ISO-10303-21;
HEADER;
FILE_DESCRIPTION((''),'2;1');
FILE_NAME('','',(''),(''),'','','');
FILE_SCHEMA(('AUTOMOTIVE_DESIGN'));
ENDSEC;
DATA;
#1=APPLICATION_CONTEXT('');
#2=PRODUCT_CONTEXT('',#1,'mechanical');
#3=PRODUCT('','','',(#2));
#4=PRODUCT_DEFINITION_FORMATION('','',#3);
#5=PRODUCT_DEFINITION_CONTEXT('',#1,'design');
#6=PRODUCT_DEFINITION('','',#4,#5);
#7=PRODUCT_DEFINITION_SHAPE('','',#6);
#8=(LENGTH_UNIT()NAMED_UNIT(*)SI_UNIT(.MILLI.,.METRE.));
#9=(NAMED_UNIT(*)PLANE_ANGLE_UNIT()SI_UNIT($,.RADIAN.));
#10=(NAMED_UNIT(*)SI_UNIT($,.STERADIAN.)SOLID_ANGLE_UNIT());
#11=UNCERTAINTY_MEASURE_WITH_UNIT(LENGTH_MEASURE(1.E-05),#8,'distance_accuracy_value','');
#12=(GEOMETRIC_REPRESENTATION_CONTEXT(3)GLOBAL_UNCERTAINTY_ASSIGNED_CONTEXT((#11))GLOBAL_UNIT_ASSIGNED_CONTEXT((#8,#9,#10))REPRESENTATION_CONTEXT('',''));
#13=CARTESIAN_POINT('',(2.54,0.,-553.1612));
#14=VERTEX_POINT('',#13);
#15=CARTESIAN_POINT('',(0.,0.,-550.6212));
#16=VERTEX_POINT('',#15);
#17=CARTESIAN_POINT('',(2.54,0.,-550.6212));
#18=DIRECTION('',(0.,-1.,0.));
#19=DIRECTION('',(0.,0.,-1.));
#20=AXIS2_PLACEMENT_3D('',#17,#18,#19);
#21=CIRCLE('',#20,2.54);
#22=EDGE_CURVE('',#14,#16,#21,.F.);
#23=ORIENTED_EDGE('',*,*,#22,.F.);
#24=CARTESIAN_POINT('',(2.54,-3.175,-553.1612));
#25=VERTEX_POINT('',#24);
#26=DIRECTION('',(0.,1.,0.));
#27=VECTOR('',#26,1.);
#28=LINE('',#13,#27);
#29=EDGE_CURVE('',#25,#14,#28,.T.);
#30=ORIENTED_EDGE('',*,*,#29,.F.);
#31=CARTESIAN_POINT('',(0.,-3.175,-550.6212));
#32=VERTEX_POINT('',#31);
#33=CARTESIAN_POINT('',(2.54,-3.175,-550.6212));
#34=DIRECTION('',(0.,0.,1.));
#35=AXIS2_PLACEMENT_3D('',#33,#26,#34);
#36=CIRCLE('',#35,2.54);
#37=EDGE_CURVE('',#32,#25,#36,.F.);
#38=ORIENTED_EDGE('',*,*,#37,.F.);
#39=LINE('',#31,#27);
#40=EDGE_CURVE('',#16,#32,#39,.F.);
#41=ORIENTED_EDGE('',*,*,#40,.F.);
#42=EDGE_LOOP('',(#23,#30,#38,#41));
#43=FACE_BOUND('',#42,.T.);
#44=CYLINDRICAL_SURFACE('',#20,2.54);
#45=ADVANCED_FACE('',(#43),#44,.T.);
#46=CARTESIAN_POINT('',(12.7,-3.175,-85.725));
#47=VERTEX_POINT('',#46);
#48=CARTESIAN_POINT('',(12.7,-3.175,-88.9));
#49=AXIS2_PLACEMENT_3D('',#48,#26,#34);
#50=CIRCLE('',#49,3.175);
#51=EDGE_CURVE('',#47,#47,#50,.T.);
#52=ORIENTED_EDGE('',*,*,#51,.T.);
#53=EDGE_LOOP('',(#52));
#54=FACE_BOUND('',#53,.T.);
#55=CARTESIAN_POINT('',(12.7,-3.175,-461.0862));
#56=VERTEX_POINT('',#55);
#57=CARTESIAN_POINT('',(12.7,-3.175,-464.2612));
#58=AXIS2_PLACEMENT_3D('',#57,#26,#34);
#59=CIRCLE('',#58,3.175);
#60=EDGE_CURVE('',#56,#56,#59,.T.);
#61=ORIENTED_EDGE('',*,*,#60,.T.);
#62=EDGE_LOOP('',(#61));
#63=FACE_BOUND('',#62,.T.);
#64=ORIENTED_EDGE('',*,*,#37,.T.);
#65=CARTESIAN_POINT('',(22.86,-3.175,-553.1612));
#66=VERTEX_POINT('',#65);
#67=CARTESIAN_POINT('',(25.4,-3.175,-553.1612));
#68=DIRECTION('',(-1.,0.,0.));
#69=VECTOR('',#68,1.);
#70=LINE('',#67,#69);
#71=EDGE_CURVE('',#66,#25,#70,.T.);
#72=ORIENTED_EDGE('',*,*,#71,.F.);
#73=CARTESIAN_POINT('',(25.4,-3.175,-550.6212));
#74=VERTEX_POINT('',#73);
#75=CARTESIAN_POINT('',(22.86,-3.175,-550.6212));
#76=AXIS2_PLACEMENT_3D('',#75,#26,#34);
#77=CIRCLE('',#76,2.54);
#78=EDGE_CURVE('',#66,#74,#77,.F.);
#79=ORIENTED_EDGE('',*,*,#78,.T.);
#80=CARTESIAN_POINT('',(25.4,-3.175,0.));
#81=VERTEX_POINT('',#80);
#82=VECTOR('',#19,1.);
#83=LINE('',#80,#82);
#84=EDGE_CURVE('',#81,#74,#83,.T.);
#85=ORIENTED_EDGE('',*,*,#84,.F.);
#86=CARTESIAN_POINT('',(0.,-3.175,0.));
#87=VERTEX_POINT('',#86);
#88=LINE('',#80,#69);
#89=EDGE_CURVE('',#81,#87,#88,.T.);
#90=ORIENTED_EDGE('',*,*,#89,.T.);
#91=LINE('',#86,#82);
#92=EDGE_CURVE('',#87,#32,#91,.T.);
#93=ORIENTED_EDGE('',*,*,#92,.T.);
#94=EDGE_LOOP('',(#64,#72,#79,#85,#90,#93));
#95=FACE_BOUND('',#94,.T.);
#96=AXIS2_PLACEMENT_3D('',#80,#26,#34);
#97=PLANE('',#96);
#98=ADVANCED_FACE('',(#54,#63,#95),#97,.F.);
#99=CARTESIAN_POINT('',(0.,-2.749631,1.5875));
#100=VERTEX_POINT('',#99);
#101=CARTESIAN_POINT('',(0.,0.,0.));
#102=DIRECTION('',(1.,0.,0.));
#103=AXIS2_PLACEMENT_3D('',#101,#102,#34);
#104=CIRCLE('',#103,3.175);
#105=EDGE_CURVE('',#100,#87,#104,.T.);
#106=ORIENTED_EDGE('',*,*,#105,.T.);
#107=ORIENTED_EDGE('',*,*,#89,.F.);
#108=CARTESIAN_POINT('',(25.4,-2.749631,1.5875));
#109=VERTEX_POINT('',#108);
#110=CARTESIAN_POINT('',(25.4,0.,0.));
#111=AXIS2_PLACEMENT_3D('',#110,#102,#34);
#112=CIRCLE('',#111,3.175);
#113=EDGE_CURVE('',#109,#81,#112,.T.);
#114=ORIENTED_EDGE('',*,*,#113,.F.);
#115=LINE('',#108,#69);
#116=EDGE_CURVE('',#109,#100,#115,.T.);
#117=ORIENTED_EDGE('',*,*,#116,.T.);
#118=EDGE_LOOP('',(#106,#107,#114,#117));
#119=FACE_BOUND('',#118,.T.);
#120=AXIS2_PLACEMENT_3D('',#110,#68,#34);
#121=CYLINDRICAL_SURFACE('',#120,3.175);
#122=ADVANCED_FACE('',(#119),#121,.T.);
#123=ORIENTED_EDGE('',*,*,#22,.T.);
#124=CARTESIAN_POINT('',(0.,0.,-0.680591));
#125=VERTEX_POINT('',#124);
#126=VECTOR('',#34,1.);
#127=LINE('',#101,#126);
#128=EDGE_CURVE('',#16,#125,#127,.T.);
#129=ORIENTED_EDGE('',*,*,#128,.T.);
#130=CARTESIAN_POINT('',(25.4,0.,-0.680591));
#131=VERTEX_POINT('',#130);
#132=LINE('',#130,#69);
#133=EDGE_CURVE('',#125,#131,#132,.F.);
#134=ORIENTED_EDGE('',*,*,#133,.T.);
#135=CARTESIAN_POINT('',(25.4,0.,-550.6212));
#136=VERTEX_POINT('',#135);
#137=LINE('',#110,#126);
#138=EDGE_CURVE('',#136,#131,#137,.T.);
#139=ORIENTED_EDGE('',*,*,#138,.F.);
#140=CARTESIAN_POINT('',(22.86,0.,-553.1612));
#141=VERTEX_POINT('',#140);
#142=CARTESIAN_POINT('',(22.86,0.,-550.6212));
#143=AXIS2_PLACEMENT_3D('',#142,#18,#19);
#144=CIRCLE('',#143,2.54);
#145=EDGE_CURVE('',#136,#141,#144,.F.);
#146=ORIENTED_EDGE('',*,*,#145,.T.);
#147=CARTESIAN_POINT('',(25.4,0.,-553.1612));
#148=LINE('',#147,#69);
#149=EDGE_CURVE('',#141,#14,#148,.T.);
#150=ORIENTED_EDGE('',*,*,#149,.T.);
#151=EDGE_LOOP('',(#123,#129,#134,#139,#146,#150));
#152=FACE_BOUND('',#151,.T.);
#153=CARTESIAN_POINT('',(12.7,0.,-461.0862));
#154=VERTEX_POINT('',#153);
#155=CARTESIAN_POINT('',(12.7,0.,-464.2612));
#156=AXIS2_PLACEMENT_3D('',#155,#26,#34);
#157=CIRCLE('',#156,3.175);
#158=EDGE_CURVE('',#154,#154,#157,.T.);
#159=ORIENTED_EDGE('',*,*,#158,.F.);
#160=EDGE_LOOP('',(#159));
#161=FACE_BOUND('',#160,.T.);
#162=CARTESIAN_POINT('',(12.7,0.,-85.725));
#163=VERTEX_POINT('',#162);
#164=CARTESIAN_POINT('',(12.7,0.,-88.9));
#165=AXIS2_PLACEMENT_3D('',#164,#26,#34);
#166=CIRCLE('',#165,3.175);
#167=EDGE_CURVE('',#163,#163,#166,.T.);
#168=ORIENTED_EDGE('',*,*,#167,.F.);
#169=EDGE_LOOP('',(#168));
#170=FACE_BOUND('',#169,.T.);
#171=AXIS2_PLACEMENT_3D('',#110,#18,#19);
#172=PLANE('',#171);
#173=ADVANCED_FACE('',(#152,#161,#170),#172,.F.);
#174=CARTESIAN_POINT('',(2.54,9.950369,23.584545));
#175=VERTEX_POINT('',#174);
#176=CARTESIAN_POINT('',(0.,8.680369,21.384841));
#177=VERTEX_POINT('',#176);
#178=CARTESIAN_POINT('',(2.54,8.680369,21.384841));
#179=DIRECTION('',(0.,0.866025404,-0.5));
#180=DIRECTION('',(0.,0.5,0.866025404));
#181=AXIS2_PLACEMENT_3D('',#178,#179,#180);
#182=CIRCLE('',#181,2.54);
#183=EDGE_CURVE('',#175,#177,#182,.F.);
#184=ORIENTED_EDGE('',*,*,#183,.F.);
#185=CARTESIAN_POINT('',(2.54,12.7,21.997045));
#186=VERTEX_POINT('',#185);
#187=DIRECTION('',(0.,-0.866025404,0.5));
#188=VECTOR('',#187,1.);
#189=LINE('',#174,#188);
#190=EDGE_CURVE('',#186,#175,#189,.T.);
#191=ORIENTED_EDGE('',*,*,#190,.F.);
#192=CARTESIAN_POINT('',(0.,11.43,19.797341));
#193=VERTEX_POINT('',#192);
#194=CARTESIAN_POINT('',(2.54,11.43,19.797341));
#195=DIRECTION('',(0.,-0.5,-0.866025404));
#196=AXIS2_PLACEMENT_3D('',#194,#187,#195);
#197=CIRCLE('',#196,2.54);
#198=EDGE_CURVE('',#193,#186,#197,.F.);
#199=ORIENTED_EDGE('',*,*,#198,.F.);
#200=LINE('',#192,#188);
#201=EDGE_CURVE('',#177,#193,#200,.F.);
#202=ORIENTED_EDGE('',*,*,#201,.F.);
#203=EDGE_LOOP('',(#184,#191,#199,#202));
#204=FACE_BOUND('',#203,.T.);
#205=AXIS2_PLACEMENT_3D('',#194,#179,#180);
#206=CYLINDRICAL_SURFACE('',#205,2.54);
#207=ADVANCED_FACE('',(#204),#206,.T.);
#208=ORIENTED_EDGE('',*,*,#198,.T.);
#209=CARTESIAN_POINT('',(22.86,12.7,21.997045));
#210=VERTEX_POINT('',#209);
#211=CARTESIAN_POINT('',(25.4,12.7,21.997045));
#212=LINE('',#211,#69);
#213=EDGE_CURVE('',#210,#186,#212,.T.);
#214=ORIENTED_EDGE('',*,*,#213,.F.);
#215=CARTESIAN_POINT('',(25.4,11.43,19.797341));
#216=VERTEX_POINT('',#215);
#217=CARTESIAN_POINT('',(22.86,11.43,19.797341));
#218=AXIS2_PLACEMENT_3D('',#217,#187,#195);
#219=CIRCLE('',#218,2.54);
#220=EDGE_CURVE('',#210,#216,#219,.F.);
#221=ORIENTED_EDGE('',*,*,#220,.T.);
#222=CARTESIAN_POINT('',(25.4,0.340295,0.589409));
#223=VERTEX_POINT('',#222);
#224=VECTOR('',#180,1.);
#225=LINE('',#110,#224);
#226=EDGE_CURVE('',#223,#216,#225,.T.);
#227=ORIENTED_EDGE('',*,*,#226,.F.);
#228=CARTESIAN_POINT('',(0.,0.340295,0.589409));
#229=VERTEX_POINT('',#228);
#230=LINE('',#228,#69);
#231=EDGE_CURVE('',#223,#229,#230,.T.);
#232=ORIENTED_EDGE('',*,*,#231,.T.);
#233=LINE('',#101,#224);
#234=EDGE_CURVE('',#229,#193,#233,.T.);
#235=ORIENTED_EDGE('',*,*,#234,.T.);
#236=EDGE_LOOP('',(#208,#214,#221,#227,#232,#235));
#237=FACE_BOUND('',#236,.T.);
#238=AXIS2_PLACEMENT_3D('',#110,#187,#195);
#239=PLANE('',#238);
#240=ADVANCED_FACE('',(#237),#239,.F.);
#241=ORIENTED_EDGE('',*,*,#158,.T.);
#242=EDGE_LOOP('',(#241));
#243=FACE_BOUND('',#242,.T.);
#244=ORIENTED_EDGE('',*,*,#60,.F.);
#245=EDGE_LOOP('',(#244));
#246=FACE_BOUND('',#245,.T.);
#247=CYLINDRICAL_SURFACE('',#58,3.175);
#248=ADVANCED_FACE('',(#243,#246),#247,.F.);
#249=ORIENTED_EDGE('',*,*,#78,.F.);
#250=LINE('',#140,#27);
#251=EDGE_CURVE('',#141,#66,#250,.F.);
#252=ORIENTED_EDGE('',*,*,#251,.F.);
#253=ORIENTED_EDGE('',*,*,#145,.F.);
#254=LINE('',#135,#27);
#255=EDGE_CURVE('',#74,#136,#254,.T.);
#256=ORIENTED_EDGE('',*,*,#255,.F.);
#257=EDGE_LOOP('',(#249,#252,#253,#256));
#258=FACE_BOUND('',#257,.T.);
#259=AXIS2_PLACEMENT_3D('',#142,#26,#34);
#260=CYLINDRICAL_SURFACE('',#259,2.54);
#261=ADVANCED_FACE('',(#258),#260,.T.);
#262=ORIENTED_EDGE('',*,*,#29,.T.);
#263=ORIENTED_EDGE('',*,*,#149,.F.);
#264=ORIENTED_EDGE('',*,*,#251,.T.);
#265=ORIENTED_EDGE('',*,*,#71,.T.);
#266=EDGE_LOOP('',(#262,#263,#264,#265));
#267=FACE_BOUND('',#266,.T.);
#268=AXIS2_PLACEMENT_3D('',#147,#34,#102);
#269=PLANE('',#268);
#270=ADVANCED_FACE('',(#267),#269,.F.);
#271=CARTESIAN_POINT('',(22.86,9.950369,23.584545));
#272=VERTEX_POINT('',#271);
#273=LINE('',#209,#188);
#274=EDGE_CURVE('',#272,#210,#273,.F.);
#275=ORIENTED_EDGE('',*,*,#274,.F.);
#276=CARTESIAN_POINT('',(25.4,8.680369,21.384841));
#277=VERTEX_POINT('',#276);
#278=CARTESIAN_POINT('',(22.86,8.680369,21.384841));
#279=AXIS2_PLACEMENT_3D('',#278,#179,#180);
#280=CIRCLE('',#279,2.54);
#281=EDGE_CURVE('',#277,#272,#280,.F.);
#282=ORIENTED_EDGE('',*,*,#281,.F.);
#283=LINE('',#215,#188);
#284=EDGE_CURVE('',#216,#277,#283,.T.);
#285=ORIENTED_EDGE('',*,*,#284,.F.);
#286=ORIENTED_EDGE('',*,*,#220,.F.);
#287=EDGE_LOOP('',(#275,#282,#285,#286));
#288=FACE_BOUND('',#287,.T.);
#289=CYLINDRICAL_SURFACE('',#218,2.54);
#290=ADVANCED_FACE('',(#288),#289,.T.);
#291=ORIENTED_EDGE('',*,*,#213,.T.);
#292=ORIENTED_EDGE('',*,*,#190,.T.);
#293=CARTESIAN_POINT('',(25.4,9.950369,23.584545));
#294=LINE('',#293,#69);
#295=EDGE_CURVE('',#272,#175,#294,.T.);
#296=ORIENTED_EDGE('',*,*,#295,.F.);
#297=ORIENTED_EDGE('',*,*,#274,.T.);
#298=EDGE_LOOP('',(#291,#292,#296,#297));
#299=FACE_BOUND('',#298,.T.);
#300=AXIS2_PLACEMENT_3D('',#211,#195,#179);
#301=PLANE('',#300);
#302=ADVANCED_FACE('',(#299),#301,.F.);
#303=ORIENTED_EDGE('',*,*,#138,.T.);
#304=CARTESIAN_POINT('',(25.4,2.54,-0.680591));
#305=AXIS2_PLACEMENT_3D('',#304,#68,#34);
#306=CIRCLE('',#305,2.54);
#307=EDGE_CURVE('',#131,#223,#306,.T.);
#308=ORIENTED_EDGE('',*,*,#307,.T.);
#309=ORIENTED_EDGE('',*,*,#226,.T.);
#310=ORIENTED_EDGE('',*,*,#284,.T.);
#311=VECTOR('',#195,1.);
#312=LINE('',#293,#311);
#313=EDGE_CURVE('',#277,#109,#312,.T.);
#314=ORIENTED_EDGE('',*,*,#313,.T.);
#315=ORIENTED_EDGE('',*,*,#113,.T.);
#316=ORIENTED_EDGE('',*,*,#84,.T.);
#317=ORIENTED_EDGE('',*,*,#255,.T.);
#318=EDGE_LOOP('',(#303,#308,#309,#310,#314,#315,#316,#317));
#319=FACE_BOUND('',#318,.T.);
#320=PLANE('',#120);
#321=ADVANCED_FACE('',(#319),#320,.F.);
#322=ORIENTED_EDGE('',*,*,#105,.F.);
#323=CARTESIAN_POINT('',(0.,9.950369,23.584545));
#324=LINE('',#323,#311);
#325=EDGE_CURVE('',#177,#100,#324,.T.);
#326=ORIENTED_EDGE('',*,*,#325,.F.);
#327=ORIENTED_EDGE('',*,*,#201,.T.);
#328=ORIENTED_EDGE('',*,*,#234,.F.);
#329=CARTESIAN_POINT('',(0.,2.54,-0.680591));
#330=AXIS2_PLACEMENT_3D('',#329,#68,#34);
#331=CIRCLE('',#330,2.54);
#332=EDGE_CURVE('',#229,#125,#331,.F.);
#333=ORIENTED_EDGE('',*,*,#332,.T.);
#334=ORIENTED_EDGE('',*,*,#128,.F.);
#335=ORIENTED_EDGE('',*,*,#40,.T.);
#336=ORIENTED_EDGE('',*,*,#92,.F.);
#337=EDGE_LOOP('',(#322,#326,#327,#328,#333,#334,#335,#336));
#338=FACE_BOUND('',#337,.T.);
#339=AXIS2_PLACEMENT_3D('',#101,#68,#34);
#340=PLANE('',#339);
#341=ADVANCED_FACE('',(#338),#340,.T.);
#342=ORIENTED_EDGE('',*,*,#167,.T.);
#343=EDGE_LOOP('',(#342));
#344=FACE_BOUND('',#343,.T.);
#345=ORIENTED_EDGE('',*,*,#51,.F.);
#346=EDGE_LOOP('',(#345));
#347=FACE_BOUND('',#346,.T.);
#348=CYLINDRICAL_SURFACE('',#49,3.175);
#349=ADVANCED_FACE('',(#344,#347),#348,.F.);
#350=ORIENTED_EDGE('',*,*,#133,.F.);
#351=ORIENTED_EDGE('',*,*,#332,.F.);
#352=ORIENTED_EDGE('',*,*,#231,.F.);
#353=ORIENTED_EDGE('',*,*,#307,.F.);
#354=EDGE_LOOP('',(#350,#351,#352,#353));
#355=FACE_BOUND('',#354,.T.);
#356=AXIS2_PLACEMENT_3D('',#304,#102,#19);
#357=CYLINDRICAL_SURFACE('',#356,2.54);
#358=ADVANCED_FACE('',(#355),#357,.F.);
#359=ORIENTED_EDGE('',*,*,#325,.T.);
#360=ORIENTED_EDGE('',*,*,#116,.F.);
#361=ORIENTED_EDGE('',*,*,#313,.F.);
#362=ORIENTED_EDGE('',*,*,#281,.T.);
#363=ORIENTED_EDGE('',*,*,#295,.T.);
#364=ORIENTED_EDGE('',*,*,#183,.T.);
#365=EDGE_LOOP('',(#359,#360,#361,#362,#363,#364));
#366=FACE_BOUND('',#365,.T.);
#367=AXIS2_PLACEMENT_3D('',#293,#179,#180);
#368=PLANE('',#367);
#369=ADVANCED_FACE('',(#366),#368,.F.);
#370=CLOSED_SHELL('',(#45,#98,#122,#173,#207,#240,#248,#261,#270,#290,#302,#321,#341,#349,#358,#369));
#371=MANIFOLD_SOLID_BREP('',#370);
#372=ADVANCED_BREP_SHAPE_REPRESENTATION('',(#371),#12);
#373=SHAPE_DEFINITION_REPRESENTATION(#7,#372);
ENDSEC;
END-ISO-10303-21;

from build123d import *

# Parameters (mm, degrees)
BOSS_EXTRUDE1_DEPTH = 25.4
SKETCH2_R           = 3.175
CUT_EXTRUDE1_DEPTH  = 4.175
FILLET1_R           = 2.54


with BuildPart() as part:
    # Sketch1 → Boss-Extrude1 (new body)
    with BuildSketch(Plane(origin=(0, 0, 0), x_dir=(0, 0, -1), z_dir=(1, 0, 0))):
        with BuildLine():
            Line((0, 0), (-21.997045256, 12.7))
            Line((-21.997045256, 12.7), (-23.584545256, 9.950369343))
            Line((-23.584545256, 9.950369343), (-1.5875, -2.749630657))
            ThreePointArc((-1.5875, -2.749630657), (-0.821750468, -3.066814498), (0, -3.175))
            Line((0, -3.175), (553.1612, -3.175))
            Line((553.1612, -3.175), (553.1612, 0))
            Line((553.1612, 0), (0, 0))
        make_face()
    extrude(amount=BOSS_EXTRUDE1_DEPTH)

    # Sketch2 → Cut-Extrude1 (cut, through all)
    with BuildSketch(Plane(origin=(0, 0, 0), x_dir=(1, 0, 0), z_dir=(0, 1, 0))):
        with Locations((12.7, 88.9)):
            Circle(SKETCH2_R)
        with Locations((12.7, 464.2612)):
            Circle(SKETCH2_R)
    extrude(amount=-CUT_EXTRUDE1_DEPTH, mode=Mode.SUBTRACT)

    # Fillet1
    fillet1_edges = [part.edges().sort_by_distance(p)[0] for p in [
        (25.4, 11.325184671, 22.790795256),
        (12.7, 0, 0),
        (25.4, -1.5875, -553.1612),
        (0, -1.5875, -553.1612),
        (0, 11.325184671, 22.790795256),
    ]]
    fillet(fillet1_edges, radius=FILLET1_R)


solid = part.part
